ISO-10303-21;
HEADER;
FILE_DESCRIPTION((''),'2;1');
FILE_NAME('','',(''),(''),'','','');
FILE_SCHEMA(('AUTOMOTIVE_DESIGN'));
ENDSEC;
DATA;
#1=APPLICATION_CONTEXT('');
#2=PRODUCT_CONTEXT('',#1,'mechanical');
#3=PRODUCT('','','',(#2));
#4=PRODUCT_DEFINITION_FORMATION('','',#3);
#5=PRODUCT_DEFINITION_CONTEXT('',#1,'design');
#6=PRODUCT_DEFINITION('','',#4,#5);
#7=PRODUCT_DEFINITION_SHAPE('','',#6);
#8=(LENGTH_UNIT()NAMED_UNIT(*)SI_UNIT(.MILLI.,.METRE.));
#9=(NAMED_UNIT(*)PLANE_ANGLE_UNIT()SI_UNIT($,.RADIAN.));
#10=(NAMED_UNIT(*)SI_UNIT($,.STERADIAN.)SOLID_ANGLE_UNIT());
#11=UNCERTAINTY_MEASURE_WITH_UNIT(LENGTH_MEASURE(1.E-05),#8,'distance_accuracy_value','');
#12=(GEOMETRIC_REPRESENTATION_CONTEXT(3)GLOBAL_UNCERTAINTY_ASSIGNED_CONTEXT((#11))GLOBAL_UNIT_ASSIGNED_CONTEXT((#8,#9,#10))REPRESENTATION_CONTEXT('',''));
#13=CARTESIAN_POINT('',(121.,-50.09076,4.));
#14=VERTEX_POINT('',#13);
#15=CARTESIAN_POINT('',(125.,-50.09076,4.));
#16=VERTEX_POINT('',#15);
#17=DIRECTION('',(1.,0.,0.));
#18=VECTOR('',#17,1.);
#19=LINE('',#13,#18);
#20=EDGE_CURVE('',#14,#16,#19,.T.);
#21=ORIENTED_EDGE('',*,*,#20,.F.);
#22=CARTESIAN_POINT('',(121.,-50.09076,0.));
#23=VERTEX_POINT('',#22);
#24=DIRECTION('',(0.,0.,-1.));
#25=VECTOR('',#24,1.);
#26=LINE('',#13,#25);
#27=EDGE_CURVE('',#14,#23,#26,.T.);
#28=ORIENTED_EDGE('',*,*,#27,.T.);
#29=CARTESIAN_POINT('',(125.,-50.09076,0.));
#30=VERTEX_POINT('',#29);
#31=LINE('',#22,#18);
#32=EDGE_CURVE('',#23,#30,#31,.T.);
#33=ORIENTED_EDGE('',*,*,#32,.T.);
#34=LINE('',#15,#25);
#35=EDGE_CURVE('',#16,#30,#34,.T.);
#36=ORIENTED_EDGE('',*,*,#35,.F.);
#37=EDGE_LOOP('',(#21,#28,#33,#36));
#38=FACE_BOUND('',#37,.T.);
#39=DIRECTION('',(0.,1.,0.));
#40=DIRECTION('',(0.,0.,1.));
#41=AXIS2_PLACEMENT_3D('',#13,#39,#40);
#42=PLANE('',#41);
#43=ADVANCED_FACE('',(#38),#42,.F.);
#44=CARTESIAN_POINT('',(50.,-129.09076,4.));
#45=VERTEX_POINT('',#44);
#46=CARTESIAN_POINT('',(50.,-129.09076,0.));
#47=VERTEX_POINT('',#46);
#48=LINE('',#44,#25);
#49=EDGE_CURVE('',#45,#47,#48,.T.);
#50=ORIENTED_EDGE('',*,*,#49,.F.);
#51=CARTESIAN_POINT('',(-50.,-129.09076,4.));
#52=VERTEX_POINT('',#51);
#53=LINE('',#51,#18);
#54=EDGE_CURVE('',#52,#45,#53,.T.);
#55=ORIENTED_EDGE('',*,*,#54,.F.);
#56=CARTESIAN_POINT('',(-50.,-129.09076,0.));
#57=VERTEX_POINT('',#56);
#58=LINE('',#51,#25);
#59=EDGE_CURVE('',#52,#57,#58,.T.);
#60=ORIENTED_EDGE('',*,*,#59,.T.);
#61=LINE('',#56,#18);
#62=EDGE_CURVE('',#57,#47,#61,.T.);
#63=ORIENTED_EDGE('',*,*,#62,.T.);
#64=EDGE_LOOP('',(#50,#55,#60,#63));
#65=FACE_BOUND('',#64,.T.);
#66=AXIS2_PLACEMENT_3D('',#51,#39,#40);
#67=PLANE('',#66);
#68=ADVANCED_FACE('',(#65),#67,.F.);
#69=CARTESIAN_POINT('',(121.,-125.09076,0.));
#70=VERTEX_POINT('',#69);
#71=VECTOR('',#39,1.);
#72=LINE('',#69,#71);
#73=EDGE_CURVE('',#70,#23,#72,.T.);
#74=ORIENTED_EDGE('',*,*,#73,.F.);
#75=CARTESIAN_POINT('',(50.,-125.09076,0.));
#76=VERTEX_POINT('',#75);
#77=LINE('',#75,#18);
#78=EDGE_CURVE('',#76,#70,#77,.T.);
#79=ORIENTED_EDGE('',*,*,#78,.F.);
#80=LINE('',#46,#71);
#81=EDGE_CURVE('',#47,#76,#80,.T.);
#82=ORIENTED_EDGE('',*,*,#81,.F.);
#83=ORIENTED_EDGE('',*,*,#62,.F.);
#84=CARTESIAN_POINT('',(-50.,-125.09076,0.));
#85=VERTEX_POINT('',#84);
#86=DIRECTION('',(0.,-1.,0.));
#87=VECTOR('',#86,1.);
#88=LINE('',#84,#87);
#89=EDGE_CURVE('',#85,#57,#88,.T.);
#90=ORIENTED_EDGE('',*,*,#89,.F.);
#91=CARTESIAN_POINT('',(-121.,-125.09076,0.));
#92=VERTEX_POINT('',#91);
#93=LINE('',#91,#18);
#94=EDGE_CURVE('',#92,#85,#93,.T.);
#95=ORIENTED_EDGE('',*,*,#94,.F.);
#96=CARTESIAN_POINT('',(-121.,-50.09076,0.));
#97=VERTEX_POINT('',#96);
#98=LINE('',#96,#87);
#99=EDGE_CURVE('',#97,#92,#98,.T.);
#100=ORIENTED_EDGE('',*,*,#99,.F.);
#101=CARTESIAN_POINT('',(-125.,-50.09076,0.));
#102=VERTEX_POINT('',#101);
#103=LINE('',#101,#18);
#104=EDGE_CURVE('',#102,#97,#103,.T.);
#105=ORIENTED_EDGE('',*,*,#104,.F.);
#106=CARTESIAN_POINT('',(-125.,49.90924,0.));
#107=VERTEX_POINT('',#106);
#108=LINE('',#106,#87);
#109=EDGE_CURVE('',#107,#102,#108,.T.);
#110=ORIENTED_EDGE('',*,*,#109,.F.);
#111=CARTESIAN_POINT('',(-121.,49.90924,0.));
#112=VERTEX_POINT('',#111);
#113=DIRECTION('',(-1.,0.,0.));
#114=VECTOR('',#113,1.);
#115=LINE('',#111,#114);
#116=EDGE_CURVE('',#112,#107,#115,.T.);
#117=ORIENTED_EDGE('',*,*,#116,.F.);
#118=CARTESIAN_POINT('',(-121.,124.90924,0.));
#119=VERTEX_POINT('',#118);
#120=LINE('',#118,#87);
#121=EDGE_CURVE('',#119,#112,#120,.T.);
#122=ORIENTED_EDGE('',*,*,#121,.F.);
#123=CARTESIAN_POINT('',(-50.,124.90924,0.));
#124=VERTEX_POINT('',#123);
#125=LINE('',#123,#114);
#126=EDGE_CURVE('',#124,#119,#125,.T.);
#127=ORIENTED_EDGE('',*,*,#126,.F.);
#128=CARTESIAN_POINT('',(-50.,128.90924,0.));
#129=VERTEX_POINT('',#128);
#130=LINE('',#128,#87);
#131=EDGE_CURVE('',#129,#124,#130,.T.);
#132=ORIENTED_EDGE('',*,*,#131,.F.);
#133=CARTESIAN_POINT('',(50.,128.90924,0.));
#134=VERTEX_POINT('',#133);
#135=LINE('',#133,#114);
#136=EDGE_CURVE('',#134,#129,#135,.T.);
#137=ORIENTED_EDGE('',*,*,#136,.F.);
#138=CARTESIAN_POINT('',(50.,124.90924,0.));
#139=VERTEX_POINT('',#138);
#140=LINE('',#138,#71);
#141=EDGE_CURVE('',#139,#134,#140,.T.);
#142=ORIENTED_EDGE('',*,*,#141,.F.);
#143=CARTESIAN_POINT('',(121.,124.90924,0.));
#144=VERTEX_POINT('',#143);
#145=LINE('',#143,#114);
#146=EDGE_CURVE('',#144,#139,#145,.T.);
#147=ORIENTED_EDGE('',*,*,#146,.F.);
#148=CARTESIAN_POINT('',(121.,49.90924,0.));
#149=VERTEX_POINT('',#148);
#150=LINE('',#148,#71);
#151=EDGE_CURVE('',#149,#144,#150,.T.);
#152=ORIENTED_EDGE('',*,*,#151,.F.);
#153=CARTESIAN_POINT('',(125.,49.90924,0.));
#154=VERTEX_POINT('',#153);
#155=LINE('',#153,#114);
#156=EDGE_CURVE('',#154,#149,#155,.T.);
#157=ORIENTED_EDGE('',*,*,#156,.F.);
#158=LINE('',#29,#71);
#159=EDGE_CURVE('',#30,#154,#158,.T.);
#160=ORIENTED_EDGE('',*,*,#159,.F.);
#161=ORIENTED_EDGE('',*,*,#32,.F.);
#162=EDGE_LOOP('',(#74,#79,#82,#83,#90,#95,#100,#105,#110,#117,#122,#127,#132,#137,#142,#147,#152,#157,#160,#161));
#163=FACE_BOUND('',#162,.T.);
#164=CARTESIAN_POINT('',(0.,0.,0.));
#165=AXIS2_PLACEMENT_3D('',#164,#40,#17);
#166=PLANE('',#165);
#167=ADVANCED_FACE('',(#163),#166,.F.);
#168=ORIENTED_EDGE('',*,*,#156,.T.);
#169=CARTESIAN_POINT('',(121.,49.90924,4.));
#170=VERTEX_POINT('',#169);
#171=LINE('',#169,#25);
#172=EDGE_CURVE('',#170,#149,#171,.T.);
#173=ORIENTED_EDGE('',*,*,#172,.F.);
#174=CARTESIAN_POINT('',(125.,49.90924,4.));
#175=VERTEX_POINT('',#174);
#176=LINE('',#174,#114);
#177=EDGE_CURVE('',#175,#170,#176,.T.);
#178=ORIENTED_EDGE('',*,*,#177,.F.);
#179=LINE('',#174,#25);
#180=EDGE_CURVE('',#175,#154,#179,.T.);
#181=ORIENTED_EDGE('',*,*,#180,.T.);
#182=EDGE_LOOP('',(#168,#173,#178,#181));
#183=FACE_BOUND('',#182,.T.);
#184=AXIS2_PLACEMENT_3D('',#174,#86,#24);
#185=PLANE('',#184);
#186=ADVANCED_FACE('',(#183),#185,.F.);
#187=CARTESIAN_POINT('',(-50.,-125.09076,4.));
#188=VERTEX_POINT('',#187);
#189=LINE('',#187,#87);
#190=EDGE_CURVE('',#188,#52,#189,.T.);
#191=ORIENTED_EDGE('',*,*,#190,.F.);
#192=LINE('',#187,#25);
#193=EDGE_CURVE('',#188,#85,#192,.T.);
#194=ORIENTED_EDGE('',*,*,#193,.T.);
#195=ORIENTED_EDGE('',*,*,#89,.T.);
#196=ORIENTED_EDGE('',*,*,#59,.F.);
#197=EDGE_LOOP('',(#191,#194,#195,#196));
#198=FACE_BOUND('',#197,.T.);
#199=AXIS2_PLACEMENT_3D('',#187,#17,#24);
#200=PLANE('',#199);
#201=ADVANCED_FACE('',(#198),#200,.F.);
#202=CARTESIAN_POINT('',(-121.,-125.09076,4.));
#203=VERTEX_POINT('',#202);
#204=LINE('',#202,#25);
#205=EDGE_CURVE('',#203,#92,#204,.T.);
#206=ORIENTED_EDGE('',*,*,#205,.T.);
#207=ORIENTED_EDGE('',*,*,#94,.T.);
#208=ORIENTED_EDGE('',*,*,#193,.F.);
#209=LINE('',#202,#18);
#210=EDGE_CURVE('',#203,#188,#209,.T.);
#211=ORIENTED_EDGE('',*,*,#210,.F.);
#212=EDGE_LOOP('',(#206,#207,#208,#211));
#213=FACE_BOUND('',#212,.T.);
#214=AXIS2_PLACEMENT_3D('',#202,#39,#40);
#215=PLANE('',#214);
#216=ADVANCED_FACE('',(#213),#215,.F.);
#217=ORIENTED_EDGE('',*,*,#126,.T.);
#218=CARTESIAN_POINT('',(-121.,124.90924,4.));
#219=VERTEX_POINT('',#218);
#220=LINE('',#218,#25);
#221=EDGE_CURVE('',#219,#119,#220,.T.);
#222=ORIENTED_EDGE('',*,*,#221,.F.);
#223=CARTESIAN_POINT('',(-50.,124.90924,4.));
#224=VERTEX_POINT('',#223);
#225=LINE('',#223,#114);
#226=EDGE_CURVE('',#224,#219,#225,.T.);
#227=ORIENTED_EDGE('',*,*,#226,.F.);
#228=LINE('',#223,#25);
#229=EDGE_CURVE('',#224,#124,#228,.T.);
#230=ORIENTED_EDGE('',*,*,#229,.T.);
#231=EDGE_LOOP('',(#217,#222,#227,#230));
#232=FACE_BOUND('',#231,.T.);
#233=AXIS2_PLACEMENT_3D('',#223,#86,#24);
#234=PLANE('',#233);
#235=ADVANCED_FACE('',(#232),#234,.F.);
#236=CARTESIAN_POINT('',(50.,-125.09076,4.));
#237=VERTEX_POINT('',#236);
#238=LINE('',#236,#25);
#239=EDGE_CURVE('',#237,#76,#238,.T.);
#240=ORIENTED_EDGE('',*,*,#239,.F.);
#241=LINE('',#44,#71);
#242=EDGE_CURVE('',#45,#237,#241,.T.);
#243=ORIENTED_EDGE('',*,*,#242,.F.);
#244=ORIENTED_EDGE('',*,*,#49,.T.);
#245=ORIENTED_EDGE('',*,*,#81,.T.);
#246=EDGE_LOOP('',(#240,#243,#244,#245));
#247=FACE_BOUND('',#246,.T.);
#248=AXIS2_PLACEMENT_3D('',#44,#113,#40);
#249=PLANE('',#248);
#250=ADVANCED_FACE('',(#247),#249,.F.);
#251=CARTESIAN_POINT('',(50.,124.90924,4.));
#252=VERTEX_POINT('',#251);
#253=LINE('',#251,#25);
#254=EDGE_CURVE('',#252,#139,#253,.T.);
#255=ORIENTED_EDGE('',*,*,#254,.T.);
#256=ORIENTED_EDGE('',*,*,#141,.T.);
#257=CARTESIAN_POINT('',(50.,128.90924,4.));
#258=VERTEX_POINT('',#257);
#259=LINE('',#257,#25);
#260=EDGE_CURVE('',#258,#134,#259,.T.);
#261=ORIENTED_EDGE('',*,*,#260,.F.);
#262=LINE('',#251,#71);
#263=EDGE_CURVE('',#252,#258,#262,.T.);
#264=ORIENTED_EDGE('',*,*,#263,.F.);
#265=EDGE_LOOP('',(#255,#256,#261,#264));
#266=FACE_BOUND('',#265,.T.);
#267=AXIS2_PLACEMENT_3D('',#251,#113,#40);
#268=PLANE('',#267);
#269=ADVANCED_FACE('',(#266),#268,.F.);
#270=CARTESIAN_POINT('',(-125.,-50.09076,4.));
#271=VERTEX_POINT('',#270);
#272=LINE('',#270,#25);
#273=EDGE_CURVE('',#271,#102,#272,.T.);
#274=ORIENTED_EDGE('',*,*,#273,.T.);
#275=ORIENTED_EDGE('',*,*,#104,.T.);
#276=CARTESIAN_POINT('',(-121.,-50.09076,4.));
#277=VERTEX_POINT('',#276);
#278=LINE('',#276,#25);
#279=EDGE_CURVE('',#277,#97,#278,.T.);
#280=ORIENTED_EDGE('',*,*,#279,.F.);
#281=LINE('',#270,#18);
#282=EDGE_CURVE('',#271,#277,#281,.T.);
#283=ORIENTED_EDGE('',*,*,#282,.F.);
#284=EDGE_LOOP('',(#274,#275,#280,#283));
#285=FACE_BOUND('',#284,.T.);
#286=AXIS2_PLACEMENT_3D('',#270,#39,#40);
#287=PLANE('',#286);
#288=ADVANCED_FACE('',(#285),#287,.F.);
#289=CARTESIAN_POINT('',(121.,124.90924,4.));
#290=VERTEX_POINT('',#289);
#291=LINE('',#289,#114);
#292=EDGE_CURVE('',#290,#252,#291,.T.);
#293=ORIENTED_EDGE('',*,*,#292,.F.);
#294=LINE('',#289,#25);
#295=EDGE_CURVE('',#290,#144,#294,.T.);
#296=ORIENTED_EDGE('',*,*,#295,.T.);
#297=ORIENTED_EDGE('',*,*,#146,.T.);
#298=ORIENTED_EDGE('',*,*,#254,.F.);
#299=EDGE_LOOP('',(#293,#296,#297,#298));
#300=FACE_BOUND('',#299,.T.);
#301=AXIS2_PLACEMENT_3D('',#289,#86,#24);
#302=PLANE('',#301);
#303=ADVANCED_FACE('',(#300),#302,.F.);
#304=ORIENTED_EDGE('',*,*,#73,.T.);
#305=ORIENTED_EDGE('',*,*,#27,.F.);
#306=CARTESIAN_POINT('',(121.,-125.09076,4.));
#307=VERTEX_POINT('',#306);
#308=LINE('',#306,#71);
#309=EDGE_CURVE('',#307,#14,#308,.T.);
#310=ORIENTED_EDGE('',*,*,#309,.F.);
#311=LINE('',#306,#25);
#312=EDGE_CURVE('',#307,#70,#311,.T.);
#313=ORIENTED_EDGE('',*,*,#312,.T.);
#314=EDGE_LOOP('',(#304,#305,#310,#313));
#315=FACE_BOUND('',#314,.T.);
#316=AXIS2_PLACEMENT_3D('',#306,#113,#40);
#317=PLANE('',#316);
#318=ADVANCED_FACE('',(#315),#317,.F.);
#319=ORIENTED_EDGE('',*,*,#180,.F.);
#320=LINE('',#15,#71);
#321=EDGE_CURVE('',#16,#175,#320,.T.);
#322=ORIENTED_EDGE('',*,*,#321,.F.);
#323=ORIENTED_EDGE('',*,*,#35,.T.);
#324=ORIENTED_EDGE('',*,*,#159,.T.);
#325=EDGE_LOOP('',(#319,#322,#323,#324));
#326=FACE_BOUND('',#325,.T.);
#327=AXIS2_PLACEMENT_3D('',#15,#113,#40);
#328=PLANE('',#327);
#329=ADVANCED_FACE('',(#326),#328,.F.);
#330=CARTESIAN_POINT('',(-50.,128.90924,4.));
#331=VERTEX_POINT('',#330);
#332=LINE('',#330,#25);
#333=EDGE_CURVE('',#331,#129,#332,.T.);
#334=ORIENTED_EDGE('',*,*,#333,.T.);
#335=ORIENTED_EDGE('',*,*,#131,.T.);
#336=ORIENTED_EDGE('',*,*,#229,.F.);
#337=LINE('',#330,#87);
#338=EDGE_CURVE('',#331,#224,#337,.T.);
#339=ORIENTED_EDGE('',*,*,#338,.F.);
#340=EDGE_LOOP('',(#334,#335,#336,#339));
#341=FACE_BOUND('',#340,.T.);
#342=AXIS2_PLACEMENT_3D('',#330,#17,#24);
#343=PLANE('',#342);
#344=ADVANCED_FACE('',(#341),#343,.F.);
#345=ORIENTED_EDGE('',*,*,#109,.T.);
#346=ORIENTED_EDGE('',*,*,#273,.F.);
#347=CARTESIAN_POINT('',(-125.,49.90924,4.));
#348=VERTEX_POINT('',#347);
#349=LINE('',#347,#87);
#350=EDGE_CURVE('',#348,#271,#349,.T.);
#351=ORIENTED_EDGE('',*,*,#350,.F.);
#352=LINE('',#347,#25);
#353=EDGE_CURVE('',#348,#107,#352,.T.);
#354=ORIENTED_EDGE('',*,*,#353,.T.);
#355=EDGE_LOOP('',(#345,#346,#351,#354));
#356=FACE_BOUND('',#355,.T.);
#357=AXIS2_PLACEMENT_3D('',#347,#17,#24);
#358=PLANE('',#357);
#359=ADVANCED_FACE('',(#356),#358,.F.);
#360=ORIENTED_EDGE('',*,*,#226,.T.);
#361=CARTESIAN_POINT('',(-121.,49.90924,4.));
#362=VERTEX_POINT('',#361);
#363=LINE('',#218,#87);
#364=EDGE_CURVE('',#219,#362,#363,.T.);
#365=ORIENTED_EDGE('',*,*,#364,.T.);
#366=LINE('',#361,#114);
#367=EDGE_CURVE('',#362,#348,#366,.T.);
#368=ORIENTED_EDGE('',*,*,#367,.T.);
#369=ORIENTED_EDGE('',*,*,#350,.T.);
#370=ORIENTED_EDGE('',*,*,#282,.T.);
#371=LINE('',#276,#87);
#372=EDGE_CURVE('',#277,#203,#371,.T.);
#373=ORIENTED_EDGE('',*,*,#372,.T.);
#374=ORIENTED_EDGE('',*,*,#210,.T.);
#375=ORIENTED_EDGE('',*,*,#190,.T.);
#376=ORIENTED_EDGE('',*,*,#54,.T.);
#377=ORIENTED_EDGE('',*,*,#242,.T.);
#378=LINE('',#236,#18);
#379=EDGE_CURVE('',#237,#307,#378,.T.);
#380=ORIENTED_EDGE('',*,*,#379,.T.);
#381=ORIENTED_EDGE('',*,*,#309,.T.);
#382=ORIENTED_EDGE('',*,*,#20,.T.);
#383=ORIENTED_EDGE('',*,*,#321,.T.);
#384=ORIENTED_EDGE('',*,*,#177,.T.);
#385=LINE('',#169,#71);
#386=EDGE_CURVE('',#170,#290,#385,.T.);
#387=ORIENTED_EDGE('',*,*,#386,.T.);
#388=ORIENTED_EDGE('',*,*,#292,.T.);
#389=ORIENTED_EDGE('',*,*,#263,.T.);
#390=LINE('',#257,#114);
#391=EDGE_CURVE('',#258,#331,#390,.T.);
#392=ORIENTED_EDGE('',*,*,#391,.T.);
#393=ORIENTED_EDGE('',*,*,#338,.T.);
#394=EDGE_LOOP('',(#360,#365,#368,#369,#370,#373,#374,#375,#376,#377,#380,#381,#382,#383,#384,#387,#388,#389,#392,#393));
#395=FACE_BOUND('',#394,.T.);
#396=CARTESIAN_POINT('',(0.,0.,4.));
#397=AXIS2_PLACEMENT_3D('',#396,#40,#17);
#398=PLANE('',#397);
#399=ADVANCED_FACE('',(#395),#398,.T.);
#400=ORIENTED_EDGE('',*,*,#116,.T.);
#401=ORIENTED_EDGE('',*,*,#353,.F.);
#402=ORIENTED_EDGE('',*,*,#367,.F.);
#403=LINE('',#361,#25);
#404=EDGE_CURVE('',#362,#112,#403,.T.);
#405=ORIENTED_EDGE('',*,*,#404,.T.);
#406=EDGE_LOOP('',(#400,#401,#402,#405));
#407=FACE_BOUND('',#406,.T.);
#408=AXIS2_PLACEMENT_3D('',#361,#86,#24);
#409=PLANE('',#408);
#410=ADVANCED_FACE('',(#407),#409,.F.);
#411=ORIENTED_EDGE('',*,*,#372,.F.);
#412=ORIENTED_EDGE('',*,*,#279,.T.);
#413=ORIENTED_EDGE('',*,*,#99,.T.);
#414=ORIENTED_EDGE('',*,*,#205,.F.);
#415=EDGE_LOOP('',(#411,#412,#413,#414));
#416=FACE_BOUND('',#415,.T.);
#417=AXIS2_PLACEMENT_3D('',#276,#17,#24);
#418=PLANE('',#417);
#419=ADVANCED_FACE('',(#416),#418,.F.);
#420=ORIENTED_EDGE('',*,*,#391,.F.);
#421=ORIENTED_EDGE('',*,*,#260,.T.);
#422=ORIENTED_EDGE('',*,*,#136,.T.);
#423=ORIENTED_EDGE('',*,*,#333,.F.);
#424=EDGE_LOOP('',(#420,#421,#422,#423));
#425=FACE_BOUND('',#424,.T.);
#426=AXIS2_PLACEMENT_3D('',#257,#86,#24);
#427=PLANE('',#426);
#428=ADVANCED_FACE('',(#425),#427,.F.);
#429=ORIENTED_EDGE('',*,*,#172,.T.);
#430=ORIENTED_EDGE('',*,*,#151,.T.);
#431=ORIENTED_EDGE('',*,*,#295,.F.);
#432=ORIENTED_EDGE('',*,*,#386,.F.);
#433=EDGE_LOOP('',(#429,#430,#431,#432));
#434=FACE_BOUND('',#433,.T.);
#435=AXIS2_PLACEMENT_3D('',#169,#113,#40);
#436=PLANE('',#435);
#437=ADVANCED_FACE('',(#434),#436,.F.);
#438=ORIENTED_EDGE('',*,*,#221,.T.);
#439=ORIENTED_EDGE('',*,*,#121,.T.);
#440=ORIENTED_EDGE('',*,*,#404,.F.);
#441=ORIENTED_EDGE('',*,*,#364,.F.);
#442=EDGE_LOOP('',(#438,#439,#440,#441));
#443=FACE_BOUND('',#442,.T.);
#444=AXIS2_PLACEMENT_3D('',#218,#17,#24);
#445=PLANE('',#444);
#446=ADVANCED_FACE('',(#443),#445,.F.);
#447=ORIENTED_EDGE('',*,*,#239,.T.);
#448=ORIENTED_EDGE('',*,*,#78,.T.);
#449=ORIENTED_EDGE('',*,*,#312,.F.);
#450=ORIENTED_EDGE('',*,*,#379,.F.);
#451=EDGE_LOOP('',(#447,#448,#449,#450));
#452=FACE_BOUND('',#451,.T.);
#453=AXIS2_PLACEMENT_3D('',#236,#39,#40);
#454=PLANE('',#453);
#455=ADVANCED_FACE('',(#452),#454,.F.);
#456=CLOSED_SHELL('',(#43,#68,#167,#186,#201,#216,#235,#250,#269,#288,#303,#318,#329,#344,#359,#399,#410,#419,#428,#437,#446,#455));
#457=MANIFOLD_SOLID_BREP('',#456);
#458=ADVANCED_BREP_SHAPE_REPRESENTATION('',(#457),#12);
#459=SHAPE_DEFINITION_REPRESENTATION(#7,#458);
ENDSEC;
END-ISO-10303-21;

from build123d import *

# Parameters (mm, degrees)
BOSS_EXTRUDE1_DEPTH = 4


with BuildPart() as part:
    # Sketch1 → Boss-Extrude1 (new body)
    with BuildSketch(Plane.XY):
        Polygon((-50, 128.909239656), (-50, 124.909239656), (-121, 124.909239656), (-121, 49.909239656), (-125, 49.909239656), (-125, -50.090760344), (-121, -50.090760344), (-121, -125.090760344), (-50, -125.090760344), (-50, -129.090760344), (50, -129.090760344), (50, -125.090760344), (121, -125.090760344), (121, -50.090760344), (125, -50.090760344), (125, 49.909239656), (121, 49.909239656), (121, 124.909239656), (50, 124.909239656), (50, 128.909239656), align=None)
    extrude(amount=BOSS_EXTRUDE1_DEPTH)


solid = part.part
